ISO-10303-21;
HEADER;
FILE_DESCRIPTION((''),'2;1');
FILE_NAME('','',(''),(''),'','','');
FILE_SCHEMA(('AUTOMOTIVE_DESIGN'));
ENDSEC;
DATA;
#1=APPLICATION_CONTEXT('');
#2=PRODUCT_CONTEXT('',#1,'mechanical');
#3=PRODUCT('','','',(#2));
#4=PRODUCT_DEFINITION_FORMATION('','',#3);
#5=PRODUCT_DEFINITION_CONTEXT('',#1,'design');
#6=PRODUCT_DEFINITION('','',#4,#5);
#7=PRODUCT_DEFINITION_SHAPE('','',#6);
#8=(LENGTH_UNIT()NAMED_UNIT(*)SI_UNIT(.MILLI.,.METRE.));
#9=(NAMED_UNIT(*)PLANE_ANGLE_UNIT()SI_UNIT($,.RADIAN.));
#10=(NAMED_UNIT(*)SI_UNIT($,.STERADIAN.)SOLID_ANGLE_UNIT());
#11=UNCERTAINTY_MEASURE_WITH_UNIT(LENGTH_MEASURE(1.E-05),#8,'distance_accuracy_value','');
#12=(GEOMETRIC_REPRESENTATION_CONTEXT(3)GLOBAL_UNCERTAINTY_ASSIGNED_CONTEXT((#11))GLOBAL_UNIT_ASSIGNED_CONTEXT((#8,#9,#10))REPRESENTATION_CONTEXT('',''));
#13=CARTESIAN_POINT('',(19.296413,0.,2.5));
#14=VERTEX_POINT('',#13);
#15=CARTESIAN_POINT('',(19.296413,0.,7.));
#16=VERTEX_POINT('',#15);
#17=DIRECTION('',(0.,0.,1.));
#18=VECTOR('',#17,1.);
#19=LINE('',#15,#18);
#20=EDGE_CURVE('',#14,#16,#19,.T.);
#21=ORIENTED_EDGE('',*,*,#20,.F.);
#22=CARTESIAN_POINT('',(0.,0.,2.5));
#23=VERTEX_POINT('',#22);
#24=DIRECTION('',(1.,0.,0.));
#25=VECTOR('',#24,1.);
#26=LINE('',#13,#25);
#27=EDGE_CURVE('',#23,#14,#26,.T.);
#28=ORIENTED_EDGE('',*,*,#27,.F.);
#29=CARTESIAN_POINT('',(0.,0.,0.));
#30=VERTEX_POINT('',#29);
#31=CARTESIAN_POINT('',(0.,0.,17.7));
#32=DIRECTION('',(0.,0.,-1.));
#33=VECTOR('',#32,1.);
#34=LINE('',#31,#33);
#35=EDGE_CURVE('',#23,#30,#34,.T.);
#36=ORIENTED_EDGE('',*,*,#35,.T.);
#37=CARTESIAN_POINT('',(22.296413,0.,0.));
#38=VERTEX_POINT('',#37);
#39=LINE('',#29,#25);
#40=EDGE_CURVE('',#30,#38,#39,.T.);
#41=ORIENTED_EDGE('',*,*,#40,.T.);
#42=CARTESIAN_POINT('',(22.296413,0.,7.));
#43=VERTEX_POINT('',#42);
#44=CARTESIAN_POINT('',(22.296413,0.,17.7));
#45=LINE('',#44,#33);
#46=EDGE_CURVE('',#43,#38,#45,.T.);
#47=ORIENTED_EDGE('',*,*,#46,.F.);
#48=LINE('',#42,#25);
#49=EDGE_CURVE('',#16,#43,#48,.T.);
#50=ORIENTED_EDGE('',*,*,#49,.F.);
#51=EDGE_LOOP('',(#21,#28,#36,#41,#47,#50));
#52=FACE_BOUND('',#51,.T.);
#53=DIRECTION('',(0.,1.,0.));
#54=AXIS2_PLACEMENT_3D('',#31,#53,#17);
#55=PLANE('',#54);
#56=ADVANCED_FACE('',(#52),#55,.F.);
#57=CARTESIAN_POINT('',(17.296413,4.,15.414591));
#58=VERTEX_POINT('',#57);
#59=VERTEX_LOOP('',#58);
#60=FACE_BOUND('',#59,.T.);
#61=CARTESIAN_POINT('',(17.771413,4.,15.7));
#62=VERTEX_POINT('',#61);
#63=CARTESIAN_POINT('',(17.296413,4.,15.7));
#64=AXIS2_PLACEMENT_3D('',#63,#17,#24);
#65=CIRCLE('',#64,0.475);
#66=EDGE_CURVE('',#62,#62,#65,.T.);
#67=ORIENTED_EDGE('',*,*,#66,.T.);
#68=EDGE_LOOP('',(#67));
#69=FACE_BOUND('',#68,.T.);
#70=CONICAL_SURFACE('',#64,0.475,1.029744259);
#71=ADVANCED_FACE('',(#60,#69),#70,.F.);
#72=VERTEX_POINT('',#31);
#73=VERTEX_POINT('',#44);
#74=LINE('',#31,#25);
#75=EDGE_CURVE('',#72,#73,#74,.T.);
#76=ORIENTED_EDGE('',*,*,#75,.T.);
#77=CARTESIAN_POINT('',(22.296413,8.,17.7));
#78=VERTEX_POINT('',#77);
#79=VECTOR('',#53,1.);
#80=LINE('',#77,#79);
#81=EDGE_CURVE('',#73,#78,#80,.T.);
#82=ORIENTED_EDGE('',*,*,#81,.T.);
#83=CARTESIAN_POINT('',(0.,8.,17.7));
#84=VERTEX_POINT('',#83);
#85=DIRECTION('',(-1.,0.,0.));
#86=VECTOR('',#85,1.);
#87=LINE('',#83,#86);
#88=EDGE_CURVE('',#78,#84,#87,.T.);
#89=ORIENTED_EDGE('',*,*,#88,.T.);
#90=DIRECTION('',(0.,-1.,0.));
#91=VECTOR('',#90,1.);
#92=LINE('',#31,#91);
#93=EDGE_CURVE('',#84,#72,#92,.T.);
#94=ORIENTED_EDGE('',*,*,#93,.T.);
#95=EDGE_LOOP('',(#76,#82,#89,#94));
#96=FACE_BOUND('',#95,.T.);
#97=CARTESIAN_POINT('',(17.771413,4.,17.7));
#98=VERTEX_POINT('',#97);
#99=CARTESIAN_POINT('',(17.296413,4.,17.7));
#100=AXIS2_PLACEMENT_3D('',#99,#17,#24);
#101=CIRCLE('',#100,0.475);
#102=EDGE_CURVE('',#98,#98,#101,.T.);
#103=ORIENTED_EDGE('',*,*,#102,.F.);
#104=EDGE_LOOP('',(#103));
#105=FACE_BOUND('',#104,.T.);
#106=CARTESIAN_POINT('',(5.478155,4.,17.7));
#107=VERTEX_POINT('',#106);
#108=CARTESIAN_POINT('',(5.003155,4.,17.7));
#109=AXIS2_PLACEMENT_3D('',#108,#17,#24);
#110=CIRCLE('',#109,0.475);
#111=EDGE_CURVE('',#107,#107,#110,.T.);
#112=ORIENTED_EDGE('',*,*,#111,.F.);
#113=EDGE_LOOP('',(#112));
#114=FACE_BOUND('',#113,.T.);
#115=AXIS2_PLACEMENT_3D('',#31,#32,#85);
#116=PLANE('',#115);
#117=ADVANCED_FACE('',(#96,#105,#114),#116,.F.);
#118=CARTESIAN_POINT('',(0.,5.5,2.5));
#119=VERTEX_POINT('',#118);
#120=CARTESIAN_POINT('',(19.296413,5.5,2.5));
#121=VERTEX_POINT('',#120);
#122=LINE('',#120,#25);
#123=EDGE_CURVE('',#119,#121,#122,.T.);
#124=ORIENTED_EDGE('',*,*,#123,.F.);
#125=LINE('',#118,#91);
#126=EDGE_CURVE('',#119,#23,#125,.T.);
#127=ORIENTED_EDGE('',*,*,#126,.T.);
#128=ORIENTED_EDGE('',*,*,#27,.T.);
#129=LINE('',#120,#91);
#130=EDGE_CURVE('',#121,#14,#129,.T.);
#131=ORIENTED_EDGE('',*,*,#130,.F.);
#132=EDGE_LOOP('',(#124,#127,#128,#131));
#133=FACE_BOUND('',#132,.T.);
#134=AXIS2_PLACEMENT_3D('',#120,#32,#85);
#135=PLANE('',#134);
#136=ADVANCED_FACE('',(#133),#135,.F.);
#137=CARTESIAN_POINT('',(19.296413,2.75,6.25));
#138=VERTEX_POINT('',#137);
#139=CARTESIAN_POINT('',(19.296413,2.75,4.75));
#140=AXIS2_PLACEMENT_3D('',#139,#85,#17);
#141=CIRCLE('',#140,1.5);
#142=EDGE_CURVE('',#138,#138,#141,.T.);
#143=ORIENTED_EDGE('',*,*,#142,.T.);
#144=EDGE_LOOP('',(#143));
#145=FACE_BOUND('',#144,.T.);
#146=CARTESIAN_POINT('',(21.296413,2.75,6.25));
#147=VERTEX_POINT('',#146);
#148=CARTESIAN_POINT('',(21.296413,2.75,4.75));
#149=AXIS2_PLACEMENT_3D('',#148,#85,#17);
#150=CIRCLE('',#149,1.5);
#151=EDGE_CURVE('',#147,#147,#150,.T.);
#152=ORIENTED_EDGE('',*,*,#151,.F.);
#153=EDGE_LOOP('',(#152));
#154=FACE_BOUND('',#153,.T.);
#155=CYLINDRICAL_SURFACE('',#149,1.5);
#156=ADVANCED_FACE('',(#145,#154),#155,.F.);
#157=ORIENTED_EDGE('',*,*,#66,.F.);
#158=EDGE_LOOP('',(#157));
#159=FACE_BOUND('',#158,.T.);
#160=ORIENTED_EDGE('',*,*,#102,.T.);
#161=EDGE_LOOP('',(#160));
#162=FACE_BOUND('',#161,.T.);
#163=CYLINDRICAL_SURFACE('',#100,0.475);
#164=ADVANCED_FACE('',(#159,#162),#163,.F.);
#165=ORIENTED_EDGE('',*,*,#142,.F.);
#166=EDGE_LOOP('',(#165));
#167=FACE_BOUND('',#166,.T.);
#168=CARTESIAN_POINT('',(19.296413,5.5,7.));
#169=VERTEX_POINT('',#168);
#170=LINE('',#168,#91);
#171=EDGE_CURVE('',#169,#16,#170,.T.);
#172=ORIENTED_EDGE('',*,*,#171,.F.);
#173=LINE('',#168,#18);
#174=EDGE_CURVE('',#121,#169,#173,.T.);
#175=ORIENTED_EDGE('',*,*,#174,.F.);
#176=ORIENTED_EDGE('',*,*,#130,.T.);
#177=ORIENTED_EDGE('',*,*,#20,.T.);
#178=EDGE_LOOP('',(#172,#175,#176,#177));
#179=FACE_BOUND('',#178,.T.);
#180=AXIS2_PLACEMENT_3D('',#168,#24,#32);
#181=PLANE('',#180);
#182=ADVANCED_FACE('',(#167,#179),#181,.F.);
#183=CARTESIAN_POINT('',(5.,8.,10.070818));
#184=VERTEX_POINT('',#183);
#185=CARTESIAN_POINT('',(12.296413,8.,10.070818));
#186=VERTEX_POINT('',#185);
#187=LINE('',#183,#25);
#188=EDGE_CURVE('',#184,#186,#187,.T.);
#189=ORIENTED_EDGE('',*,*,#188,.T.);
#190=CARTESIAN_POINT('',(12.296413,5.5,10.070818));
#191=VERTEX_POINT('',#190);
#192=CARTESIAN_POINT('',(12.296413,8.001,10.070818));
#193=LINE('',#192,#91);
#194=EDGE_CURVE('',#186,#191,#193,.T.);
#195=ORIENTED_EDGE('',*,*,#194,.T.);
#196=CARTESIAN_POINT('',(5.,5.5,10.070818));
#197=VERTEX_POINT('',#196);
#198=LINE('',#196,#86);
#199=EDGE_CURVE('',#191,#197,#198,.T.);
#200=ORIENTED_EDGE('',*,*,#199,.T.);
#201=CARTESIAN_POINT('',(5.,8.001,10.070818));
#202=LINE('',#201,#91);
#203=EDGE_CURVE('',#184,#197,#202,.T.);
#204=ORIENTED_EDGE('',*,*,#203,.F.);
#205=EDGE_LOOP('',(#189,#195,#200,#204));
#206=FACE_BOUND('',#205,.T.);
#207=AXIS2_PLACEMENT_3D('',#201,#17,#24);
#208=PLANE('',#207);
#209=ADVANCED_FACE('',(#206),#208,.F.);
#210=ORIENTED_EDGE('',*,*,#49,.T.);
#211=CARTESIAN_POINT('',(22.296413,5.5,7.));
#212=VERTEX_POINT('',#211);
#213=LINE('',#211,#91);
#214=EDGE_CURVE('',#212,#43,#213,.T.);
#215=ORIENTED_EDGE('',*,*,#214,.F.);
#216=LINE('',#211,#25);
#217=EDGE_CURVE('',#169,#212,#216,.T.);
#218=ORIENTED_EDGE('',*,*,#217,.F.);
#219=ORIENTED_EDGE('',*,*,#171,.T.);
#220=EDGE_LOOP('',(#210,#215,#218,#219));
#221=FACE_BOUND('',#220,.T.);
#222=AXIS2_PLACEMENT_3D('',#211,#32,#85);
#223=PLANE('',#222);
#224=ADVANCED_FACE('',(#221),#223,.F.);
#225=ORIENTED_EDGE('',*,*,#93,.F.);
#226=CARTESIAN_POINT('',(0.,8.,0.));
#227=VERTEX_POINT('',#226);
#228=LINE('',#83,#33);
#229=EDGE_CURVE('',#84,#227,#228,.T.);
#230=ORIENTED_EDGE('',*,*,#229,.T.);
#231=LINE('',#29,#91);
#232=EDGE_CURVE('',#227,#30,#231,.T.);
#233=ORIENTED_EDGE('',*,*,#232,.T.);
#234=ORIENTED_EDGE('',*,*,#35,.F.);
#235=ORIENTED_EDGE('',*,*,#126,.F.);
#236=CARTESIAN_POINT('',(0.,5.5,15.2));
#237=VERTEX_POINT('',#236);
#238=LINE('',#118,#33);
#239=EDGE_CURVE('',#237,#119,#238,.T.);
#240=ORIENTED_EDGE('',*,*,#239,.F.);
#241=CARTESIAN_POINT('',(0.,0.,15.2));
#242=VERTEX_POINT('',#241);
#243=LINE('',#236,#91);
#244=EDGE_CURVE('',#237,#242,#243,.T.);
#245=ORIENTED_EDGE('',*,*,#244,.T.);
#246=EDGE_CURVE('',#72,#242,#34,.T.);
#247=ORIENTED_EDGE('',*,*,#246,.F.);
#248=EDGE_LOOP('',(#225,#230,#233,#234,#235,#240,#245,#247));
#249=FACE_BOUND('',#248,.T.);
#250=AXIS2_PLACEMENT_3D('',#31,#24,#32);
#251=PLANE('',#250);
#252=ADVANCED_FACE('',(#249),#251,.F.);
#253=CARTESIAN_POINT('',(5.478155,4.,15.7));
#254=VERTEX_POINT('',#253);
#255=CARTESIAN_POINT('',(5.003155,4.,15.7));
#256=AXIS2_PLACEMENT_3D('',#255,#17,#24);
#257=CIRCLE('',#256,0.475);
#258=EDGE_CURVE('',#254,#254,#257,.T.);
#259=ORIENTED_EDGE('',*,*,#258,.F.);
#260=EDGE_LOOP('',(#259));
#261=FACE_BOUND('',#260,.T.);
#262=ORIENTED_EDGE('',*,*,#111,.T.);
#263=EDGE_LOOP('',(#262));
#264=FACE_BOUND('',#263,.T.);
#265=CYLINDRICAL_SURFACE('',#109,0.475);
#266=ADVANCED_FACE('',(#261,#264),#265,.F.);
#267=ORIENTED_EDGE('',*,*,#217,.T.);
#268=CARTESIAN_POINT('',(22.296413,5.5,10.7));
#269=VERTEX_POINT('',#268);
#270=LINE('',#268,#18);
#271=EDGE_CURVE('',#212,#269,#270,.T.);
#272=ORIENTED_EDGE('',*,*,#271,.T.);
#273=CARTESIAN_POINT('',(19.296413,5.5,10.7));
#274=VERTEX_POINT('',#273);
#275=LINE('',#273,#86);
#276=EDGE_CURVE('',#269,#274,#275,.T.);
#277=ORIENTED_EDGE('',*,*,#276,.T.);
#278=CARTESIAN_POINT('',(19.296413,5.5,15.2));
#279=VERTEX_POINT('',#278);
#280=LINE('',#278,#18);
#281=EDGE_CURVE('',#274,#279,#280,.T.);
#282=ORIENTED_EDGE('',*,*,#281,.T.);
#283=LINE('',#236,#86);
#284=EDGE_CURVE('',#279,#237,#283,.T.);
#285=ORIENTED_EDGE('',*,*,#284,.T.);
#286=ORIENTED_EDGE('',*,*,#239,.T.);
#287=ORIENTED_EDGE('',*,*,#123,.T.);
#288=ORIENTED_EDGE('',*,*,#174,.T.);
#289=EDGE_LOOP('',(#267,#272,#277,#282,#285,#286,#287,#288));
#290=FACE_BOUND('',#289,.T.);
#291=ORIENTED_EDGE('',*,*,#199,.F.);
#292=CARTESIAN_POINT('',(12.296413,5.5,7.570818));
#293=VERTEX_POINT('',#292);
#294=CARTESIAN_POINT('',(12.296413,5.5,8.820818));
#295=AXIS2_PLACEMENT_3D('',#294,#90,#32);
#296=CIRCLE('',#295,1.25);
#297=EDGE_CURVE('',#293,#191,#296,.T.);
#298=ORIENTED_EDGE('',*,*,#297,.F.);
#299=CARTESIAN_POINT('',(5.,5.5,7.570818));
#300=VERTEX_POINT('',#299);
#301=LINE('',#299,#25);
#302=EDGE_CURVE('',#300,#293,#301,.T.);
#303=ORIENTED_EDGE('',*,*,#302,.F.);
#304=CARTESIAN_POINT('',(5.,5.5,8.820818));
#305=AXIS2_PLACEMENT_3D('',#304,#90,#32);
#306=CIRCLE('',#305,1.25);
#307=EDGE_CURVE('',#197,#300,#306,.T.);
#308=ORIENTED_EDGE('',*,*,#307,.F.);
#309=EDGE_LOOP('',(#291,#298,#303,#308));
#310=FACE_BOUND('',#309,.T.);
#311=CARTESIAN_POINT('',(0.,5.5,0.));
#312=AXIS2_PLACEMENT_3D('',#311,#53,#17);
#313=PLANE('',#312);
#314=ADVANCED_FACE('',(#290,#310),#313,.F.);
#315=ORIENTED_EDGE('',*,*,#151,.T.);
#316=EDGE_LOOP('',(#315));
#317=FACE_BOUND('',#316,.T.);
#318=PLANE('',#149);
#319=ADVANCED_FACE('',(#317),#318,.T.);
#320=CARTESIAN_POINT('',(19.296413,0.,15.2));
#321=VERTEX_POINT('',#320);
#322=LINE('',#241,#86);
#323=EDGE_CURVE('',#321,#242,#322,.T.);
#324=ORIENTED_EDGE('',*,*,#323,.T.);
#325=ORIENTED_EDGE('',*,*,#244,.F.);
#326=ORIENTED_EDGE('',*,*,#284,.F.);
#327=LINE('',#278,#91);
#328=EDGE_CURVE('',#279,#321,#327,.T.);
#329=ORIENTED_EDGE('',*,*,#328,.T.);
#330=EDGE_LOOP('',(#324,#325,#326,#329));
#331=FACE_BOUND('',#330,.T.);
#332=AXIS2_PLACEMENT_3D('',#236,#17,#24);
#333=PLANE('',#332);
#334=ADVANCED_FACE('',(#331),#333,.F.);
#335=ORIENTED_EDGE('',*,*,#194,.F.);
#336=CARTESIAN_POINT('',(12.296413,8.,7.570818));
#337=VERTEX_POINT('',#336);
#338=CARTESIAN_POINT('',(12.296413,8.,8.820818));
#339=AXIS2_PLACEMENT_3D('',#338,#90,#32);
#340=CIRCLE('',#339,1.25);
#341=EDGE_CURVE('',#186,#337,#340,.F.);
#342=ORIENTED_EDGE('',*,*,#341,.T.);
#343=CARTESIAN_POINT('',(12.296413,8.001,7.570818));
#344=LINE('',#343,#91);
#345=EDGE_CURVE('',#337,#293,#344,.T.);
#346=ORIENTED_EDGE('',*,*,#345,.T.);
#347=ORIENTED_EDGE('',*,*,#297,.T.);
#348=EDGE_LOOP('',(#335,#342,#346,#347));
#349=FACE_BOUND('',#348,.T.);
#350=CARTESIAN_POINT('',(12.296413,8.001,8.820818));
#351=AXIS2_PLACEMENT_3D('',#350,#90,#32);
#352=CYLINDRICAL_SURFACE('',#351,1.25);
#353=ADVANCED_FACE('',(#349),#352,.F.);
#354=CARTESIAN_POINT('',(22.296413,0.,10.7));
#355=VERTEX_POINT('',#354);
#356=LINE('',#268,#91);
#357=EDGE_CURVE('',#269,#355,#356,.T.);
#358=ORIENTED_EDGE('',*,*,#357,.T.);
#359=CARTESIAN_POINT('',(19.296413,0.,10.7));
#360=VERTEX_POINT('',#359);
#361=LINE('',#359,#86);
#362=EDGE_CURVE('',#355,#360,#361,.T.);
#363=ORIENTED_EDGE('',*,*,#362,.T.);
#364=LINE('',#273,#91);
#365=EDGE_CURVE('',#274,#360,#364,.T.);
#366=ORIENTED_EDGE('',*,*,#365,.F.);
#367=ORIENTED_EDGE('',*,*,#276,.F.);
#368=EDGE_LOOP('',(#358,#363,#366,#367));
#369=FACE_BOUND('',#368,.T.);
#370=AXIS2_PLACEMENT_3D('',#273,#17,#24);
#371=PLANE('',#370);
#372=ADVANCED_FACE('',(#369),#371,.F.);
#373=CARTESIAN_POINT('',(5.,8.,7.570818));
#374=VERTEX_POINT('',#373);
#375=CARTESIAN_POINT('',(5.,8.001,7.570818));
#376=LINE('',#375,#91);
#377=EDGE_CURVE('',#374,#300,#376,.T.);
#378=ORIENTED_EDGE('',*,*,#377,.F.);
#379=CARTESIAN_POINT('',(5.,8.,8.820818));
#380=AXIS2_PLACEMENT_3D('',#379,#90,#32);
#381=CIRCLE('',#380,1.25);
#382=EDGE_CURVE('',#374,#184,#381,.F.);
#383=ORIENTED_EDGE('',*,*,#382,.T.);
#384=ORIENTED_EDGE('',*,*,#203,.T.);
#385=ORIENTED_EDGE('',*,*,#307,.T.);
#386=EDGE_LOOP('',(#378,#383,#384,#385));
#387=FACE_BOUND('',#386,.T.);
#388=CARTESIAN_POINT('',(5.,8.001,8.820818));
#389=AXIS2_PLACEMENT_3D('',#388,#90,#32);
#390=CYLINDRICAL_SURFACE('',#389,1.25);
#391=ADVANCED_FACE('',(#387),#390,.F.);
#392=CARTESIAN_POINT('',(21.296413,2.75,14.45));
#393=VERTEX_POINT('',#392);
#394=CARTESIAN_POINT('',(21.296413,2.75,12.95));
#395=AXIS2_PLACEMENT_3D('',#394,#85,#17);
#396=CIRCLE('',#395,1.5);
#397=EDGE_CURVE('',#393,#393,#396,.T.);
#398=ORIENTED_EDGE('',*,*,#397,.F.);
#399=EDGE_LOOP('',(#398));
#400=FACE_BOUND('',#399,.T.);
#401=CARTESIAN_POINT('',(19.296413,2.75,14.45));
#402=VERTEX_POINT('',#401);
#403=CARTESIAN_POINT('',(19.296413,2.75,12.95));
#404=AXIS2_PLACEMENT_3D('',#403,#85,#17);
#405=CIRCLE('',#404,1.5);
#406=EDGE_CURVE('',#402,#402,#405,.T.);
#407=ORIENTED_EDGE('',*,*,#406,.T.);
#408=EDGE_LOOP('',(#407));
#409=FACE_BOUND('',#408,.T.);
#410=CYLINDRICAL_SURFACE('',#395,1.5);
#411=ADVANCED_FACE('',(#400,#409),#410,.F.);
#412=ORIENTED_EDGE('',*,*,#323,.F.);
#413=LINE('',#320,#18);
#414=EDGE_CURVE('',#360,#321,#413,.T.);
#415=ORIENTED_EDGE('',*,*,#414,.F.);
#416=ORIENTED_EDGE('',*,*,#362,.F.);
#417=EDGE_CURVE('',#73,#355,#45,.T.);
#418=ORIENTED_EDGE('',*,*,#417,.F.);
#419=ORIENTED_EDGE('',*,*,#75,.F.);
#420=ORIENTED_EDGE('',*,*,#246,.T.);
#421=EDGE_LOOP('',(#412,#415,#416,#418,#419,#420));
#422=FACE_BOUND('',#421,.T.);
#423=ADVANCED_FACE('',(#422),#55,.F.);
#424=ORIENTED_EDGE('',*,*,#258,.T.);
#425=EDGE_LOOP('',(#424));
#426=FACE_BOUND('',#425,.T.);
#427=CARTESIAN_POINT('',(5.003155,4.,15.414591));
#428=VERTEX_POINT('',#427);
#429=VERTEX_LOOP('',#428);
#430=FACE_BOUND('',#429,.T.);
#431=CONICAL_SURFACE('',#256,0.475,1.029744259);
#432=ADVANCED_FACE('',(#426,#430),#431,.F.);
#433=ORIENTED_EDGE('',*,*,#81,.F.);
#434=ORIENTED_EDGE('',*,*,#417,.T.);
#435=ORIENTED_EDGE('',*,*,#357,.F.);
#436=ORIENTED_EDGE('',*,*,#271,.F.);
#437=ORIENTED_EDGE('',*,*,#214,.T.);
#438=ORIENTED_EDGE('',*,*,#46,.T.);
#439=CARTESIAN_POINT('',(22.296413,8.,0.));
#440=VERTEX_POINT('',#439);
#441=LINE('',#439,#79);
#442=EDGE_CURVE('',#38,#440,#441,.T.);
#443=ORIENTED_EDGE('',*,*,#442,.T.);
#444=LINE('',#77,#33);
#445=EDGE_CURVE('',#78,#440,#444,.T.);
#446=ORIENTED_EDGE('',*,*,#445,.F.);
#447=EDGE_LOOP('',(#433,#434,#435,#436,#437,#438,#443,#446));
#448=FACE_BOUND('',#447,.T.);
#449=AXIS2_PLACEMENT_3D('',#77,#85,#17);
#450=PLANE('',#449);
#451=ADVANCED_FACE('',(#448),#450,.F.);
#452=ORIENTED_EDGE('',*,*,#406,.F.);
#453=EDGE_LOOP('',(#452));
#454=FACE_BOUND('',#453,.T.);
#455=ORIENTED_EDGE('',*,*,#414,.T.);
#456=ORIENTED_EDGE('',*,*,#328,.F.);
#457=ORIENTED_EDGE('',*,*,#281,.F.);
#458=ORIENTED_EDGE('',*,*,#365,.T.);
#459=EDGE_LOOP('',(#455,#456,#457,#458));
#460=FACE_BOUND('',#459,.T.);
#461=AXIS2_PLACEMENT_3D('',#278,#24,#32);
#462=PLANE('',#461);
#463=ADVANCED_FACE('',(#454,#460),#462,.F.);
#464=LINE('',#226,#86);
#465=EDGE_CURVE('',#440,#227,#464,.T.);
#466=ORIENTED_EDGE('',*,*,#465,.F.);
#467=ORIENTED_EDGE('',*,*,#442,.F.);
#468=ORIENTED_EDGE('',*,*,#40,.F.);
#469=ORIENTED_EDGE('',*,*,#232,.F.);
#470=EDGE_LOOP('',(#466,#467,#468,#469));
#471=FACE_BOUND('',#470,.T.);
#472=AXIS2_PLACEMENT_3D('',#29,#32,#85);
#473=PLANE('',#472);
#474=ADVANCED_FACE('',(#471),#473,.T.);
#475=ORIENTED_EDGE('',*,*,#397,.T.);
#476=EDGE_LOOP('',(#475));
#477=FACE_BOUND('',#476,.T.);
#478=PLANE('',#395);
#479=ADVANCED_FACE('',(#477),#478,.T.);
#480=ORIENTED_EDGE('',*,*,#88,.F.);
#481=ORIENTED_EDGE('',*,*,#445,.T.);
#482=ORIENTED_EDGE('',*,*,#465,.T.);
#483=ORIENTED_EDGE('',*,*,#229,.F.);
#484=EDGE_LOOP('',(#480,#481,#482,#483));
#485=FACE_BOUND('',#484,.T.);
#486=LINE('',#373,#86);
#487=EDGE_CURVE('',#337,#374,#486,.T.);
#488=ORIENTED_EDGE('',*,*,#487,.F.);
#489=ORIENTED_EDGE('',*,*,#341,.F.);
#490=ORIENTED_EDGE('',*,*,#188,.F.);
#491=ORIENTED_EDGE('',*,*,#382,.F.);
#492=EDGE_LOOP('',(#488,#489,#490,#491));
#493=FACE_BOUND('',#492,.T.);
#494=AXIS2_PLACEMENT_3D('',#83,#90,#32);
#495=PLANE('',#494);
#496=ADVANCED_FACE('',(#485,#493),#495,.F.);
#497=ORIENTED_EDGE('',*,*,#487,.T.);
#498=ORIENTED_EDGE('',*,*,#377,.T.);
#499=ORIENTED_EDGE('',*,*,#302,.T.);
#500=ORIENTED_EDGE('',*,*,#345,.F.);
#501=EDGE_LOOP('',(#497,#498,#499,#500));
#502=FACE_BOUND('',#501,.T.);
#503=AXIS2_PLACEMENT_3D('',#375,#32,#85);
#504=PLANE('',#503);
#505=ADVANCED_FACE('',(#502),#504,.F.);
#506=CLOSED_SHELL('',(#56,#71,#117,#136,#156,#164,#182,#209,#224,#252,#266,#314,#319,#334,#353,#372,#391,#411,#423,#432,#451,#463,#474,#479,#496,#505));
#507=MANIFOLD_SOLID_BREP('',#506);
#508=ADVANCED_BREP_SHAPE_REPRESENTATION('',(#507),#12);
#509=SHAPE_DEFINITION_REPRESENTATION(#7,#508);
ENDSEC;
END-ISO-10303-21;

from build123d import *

# Parameters (mm, degrees)
SKETCH2_W                    = 22.296412808
SKETCH2_H                    = 8
BOSS_EXTRUDE1_DEPTH          = 17.7
CUT_EXTRUDE2_DEPTH           = 5.5
CUT_EXTRUDE3_REACH           = 30.994
SKETCH9_R                    = 1.5
CUT_EXTRUDE4_DEPTH           = 2
M1_2X0_25_TAPPED_HOLE2_D     = 0.95
M1_2X0_25_TAPPED_HOLE2_DEPTH = 2
M1_2X0_25_TAPPED_HOLE2_TIP   = 0.285408794


with BuildPart() as part:
    # Sketch2 → Boss-Extrude1 (new body)
    with BuildSketch(Plane.XY):
        with Locations((11.148206404, 4)):
            Rectangle(SKETCH2_W, SKETCH2_H)
    extrude(amount=BOSS_EXTRUDE1_DEPTH)

    # Sketch3 → Cut-Extrude2 (cut)
    with BuildSketch(Plane.XZ):
        Polygon((0, 15.2), (19.296412808, 15.2), (19.296412808, 10.7), (22.296412808, 10.7), (22.296412808, 7), (19.296412808, 7), (19.296412808, 2.5), (0, 2.5), align=None)
    extrude(amount=-CUT_EXTRUDE2_DEPTH, mode=Mode.SUBTRACT)

    # Sketch4 → Cut-Extrude3 (cut, up to next)
    with BuildSketch(Plane.XZ.offset(-5.5), mode=Mode.PRIVATE) as cut_extrude3_sk1:
        with BuildLine():
            Line((5, 10.070818057), (12.296412808, 10.070818057))
            ThreePointArc((12.296412808, 10.070818057), (13.546412808, 8.820818057), (12.296412808, 7.570818057))
            Line((12.296412808, 7.570818057), (5, 7.570818057))
            ThreePointArc((5, 7.570818057), (3.75, 8.820818057), (5, 10.070818057))
        make_face()
    cut_extrude3_tool1 = extrude(cut_extrude3_sk1.sketch, amount=-CUT_EXTRUDE3_REACH, mode=Mode.PRIVATE) & part.part
    add(cut_extrude3_tool1.solids().sort_by_distance((8.648206, 5.5, 8.820818))[0], mode=Mode.SUBTRACT)

    # Sketch9 → Cut-Extrude4 (cut)
    with BuildSketch(Plane.ZY.offset(-19.296412808)):
        with Locations((4.75, 2.75)):
            Circle(SKETCH9_R)
        with Locations((12.95, 2.75)):
            Circle(SKETCH9_R)
    extrude(amount=-CUT_EXTRUDE4_DEPTH, mode=Mode.SUBTRACT)

    # M1.2x0.25 Tapped Hole2
    with Locations(Plane(origin=(17.296412808, 4, 17.7), x_dir=(1, 0, 0), z_dir=(0, 0, 1))):
        with Locations((0, 0), (-12.293258023, 0)):
            Hole(M1_2X0_25_TAPPED_HOLE2_D / 2, depth=M1_2X0_25_TAPPED_HOLE2_DEPTH)
            with Locations((0, 0, -(M1_2X0_25_TAPPED_HOLE2_DEPTH + M1_2X0_25_TAPPED_HOLE2_TIP / 2))):  # 118° drill point
                Cone(0, M1_2X0_25_TAPPED_HOLE2_D / 2, M1_2X0_25_TAPPED_HOLE2_TIP, mode=Mode.SUBTRACT)


solid = part.part
